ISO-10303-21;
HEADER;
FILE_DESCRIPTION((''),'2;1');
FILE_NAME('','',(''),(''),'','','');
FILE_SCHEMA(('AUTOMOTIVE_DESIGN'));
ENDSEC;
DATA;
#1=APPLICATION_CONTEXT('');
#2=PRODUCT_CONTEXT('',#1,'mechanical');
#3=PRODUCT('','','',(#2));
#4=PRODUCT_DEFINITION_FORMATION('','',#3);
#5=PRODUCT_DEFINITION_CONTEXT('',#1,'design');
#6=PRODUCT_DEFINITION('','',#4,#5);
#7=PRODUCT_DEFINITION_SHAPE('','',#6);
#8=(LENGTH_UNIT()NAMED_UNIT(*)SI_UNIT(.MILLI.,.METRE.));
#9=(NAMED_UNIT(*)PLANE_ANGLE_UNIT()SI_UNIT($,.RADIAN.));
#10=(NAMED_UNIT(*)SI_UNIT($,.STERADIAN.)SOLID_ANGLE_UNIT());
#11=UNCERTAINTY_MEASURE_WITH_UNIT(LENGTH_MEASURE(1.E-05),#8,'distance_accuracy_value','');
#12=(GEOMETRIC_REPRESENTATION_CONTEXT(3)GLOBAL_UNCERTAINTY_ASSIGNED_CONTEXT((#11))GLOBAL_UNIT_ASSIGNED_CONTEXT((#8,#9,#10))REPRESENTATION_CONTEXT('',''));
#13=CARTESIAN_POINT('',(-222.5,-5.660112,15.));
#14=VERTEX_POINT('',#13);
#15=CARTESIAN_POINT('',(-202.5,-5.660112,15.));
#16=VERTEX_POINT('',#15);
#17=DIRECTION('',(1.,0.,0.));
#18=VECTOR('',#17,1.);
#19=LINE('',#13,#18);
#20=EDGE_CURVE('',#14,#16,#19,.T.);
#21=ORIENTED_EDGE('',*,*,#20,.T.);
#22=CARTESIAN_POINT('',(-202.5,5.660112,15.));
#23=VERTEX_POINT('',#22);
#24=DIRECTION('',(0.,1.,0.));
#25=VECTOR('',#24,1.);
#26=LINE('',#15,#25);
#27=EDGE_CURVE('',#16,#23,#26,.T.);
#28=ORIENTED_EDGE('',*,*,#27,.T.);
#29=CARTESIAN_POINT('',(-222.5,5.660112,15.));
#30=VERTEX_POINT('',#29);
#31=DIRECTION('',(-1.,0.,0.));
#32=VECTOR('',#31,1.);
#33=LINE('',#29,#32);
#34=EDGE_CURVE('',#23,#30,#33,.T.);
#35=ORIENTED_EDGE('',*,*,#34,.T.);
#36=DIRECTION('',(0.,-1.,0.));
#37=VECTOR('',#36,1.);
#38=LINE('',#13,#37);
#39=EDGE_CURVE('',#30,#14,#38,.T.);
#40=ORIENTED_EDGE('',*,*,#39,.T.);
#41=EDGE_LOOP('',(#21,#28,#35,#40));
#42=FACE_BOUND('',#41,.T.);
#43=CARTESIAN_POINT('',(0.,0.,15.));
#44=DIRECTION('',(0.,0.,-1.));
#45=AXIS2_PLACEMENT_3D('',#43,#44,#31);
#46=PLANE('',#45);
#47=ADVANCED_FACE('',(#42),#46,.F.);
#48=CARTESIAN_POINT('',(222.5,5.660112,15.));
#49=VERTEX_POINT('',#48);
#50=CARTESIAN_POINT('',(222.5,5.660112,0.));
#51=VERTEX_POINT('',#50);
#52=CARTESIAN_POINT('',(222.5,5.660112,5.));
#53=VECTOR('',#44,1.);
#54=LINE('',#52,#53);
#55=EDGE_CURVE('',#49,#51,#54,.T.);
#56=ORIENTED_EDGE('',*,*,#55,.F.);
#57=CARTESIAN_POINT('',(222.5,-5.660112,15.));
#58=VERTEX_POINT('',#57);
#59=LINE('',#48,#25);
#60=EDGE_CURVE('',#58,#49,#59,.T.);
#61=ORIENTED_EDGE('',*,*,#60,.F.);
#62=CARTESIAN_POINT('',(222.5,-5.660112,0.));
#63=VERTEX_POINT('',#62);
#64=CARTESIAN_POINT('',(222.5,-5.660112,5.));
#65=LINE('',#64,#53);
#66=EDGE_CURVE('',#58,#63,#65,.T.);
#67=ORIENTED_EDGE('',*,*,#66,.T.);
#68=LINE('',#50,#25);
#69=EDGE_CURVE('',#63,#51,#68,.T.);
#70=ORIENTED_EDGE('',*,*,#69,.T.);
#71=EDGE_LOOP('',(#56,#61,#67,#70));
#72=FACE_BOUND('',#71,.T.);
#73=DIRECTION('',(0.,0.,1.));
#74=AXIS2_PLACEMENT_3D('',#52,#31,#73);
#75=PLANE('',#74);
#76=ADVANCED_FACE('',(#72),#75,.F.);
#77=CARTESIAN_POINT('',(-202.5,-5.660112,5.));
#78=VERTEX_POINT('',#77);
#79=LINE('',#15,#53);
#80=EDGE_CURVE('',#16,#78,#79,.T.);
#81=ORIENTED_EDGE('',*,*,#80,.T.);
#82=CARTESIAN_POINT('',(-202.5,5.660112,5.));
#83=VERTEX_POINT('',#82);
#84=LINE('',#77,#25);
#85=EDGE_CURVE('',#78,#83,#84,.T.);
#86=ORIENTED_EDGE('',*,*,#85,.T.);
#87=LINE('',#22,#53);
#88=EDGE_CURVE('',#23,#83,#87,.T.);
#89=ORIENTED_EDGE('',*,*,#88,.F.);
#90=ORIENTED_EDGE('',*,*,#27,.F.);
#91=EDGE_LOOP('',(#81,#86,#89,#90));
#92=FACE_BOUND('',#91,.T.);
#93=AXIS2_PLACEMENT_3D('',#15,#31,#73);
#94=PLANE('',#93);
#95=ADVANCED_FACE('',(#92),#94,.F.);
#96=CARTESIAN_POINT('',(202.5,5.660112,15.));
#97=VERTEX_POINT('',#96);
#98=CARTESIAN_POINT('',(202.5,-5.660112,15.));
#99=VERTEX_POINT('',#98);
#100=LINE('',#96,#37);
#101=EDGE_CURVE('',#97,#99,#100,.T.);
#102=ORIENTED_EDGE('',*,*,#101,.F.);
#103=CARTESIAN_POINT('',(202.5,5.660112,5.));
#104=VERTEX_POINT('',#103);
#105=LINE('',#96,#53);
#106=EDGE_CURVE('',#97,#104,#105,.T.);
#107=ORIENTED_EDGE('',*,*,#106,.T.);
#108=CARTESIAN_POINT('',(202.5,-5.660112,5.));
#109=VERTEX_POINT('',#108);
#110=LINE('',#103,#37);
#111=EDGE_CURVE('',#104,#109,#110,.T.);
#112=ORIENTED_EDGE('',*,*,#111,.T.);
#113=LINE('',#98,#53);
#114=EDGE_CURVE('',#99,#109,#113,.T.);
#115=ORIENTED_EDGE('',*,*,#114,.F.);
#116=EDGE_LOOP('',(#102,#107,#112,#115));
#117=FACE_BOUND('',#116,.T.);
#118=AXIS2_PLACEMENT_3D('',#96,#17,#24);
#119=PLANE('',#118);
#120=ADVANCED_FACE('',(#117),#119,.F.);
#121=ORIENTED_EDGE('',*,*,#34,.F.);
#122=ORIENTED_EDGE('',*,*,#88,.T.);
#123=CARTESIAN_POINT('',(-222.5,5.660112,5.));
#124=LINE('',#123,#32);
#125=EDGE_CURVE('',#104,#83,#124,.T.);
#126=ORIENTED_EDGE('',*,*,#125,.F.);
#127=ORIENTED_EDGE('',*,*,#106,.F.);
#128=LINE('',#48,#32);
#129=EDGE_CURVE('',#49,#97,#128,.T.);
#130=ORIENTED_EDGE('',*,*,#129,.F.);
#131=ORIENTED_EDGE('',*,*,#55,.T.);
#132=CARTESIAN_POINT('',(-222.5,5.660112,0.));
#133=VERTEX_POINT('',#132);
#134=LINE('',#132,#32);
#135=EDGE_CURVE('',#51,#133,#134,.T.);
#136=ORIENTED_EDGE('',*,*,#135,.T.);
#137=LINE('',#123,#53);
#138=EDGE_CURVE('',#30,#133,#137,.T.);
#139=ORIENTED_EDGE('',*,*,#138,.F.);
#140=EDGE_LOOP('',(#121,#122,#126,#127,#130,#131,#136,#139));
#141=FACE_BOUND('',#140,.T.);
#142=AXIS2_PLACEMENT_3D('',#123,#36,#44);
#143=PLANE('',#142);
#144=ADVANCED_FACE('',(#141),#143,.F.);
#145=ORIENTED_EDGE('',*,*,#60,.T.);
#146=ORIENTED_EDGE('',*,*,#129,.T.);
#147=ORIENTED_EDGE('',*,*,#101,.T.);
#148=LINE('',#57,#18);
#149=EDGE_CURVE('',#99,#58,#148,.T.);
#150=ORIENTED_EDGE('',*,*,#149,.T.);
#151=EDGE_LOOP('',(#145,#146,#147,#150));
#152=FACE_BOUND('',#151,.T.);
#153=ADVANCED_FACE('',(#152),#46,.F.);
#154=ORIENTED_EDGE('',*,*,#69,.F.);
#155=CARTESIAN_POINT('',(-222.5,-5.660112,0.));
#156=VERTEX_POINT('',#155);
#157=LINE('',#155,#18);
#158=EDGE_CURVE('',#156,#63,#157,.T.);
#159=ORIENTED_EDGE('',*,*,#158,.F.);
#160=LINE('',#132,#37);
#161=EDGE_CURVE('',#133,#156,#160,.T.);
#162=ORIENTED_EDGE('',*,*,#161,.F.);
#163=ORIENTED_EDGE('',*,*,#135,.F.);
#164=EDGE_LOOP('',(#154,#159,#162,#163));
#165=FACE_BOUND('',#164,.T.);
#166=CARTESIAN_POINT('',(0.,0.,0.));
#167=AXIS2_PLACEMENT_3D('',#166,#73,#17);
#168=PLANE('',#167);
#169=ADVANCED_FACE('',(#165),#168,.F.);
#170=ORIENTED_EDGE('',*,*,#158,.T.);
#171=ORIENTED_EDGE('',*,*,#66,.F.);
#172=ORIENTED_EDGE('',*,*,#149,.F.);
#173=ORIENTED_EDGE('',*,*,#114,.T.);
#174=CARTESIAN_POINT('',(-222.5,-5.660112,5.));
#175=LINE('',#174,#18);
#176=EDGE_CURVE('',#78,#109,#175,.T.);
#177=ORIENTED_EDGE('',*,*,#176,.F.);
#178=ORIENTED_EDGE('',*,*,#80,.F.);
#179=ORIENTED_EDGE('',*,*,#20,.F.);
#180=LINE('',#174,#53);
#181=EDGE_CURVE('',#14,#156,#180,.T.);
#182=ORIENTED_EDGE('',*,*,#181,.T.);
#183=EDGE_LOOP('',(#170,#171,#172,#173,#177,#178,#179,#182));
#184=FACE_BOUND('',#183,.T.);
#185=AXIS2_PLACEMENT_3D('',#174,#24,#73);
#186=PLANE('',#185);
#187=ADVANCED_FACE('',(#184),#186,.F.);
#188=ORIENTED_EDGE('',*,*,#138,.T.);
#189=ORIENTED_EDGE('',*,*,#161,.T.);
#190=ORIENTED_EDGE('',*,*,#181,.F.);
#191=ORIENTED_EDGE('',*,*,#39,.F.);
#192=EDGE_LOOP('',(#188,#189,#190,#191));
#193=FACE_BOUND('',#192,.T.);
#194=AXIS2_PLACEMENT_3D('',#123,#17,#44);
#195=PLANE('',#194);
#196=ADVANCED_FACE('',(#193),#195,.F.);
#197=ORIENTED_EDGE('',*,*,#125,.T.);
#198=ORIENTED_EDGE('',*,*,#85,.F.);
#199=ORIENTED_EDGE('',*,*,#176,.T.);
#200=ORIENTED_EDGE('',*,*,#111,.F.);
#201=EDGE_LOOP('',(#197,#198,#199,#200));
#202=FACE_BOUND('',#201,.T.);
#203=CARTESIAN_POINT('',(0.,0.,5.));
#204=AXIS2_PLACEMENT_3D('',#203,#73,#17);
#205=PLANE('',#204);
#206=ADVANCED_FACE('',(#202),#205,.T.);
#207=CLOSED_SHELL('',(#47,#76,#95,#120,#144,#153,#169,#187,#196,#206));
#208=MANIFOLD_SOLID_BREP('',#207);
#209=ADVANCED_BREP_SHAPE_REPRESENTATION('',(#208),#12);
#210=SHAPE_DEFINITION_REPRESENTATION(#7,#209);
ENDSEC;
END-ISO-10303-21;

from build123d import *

# Parameters (mm, degrees)
SKETCH_1_W      = 445
SKETCH_1_H      = 11.320223532
EXTRUDE_1_DEPTH = 5
SKETCH_2_W      = 20
SKETCH_2_H      = 11.320223532
EXTRUDE_2_DEPTH = 10


with BuildPart() as part:
    # 스케치1 → 보스-돌출1 (new body)
    with BuildSketch(Plane.XY):
        Rectangle(SKETCH_1_W, SKETCH_1_H)
    extrude(amount=EXTRUDE_1_DEPTH)

    # 스케치2 → 보스-돌출2 (add)
    with BuildSketch(Plane.XY.offset(5)):
        with Locations((-212.5, 0)):
            Rectangle(SKETCH_2_W, SKETCH_2_H)
        with Locations((212.5, 0)):
            Rectangle(SKETCH_2_W, SKETCH_2_H)
    extrude(amount=EXTRUDE_2_DEPTH)


solid = part.part
